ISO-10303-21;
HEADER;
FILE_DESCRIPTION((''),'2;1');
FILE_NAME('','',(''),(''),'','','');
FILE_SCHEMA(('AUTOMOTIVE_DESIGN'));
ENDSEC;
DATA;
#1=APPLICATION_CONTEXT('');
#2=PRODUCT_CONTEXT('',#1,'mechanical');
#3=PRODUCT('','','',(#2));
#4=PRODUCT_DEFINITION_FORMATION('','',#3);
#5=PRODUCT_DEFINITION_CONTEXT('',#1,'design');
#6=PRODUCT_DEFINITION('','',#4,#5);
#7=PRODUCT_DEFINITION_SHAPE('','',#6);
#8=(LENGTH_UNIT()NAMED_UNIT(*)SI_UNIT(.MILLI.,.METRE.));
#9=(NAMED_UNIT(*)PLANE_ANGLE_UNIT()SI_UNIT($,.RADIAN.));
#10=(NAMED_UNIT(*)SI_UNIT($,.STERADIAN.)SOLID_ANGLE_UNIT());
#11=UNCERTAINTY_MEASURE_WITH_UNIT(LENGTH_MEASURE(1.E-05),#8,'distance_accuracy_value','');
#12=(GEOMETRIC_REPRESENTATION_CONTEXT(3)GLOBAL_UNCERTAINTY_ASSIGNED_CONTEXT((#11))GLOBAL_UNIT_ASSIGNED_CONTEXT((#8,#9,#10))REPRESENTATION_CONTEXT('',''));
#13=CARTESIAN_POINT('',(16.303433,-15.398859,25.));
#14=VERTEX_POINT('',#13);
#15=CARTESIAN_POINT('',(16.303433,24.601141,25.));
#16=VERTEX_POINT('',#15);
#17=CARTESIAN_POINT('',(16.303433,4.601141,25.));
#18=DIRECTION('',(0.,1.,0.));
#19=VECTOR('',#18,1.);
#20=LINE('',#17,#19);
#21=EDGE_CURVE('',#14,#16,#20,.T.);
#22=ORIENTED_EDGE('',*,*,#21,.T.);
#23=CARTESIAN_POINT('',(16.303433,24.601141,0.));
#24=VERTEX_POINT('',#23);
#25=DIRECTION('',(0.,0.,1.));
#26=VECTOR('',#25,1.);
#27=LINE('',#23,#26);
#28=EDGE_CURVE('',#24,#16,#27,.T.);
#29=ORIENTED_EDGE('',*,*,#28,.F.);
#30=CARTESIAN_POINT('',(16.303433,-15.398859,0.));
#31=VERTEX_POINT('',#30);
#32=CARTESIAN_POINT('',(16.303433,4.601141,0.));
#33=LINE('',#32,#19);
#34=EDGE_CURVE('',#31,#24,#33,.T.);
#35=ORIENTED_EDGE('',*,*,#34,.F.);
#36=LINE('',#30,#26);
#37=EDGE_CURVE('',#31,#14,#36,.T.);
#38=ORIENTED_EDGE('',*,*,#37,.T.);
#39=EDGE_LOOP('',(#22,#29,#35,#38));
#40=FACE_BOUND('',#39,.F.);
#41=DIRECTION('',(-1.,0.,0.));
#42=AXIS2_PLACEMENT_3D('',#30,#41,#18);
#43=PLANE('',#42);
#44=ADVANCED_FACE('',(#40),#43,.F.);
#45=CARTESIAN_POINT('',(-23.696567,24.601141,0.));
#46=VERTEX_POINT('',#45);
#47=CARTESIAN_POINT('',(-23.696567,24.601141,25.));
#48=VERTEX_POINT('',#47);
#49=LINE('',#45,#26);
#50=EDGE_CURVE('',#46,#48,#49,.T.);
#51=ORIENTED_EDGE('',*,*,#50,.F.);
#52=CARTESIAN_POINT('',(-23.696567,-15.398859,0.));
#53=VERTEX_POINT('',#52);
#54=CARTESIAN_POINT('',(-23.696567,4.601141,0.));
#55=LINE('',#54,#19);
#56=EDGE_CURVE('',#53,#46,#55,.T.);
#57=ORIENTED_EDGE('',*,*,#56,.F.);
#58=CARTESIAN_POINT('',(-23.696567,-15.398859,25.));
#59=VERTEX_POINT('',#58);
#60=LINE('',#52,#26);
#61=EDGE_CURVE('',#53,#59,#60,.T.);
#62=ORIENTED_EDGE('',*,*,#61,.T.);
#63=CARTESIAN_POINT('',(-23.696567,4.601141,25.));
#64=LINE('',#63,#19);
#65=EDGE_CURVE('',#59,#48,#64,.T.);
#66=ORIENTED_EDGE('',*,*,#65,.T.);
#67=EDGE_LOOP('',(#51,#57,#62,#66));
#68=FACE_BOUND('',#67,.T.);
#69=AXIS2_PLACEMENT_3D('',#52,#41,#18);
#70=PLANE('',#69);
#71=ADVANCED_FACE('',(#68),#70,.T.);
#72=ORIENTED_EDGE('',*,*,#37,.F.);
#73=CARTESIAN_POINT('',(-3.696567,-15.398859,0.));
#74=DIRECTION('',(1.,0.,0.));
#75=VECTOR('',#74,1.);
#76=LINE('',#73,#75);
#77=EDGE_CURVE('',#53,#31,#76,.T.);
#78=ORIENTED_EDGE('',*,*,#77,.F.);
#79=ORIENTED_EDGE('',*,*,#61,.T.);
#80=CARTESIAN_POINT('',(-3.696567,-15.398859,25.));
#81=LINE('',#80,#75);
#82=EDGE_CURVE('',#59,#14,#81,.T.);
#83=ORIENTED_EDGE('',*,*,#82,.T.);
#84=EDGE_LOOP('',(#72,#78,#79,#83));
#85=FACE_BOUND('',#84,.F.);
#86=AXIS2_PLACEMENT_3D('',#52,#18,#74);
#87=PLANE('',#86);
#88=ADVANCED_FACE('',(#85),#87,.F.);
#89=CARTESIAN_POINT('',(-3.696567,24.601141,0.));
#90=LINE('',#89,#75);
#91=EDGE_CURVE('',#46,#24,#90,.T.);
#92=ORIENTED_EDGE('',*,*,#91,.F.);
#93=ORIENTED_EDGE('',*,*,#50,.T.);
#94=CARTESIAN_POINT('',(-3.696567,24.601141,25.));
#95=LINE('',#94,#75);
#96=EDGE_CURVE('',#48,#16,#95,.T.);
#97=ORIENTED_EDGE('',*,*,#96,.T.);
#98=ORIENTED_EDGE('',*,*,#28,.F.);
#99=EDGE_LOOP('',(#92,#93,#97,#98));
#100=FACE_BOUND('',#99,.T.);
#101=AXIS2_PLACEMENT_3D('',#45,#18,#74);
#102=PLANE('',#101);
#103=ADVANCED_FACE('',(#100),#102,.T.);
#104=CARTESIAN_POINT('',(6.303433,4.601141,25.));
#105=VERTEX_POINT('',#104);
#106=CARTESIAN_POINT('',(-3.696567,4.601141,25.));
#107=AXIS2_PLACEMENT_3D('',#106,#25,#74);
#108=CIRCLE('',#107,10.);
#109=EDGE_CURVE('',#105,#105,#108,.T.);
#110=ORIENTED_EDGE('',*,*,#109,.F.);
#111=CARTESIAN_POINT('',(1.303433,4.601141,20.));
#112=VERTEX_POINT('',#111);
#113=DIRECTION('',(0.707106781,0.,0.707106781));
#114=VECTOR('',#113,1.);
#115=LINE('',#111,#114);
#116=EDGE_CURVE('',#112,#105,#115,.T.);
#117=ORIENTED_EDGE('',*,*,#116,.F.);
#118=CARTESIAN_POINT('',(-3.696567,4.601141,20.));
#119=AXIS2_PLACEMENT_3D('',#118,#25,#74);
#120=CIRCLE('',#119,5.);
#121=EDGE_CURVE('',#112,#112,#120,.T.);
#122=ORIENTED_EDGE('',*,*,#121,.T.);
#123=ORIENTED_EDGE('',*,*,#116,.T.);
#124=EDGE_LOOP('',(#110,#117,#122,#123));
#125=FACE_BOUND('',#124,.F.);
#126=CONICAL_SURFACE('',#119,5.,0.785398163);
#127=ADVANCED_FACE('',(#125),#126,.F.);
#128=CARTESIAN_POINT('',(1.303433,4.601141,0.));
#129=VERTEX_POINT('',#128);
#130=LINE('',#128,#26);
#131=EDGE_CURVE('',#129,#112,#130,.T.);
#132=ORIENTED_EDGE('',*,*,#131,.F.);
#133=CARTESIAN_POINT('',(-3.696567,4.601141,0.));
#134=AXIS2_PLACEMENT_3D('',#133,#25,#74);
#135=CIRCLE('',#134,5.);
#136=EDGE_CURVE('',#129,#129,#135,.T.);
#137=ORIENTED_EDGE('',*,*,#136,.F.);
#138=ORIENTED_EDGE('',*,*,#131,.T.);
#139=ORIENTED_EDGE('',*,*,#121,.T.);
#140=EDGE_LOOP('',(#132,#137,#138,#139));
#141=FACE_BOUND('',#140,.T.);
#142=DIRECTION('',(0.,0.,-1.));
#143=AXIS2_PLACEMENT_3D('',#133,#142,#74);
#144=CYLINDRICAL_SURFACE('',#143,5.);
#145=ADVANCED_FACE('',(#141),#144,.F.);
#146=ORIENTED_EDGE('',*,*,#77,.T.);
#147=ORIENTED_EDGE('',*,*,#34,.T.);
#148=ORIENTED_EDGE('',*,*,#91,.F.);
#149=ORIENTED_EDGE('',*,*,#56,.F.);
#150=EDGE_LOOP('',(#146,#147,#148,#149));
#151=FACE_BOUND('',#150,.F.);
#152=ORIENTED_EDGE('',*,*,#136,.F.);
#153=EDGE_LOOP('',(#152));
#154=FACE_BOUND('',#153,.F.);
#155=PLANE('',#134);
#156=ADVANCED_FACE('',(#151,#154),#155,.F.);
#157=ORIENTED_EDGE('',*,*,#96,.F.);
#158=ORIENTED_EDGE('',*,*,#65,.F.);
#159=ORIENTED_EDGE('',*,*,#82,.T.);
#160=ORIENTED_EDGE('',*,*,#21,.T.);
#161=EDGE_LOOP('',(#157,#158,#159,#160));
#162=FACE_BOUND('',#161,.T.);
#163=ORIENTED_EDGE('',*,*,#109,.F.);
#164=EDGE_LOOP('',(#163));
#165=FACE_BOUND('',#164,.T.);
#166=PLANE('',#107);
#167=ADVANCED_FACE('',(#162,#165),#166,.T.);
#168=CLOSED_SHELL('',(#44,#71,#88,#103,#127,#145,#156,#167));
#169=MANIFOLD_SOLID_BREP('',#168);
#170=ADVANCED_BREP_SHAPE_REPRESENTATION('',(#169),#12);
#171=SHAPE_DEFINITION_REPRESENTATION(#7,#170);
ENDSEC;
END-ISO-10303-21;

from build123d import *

# Parameters (mm, degrees)
F0_W     = 40
F0_H     = 40
F0_R     = 5
F1_DEPTH = 25
F2_SIZE  = 5


with BuildPart() as f1:
    # F0 (on Top) → F1 (new body)
    with BuildSketch(Plane.XY):
        with Locations((-3.696567, 4.601141)):
            Rectangle(F0_W, F0_H)
        with Locations((-3.696567, 4.601141)):
            Circle(F0_R, mode=Mode.SUBTRACT)
    extrude(amount=F1_DEPTH)

    # F2
    f2_edges = [f1.edges().sort_by_distance(p)[0] for p in [
        (-8.696567, 4.601141, 25),
    ]]
    chamfer(f2_edges, length=F2_SIZE)


solid = f1.part
